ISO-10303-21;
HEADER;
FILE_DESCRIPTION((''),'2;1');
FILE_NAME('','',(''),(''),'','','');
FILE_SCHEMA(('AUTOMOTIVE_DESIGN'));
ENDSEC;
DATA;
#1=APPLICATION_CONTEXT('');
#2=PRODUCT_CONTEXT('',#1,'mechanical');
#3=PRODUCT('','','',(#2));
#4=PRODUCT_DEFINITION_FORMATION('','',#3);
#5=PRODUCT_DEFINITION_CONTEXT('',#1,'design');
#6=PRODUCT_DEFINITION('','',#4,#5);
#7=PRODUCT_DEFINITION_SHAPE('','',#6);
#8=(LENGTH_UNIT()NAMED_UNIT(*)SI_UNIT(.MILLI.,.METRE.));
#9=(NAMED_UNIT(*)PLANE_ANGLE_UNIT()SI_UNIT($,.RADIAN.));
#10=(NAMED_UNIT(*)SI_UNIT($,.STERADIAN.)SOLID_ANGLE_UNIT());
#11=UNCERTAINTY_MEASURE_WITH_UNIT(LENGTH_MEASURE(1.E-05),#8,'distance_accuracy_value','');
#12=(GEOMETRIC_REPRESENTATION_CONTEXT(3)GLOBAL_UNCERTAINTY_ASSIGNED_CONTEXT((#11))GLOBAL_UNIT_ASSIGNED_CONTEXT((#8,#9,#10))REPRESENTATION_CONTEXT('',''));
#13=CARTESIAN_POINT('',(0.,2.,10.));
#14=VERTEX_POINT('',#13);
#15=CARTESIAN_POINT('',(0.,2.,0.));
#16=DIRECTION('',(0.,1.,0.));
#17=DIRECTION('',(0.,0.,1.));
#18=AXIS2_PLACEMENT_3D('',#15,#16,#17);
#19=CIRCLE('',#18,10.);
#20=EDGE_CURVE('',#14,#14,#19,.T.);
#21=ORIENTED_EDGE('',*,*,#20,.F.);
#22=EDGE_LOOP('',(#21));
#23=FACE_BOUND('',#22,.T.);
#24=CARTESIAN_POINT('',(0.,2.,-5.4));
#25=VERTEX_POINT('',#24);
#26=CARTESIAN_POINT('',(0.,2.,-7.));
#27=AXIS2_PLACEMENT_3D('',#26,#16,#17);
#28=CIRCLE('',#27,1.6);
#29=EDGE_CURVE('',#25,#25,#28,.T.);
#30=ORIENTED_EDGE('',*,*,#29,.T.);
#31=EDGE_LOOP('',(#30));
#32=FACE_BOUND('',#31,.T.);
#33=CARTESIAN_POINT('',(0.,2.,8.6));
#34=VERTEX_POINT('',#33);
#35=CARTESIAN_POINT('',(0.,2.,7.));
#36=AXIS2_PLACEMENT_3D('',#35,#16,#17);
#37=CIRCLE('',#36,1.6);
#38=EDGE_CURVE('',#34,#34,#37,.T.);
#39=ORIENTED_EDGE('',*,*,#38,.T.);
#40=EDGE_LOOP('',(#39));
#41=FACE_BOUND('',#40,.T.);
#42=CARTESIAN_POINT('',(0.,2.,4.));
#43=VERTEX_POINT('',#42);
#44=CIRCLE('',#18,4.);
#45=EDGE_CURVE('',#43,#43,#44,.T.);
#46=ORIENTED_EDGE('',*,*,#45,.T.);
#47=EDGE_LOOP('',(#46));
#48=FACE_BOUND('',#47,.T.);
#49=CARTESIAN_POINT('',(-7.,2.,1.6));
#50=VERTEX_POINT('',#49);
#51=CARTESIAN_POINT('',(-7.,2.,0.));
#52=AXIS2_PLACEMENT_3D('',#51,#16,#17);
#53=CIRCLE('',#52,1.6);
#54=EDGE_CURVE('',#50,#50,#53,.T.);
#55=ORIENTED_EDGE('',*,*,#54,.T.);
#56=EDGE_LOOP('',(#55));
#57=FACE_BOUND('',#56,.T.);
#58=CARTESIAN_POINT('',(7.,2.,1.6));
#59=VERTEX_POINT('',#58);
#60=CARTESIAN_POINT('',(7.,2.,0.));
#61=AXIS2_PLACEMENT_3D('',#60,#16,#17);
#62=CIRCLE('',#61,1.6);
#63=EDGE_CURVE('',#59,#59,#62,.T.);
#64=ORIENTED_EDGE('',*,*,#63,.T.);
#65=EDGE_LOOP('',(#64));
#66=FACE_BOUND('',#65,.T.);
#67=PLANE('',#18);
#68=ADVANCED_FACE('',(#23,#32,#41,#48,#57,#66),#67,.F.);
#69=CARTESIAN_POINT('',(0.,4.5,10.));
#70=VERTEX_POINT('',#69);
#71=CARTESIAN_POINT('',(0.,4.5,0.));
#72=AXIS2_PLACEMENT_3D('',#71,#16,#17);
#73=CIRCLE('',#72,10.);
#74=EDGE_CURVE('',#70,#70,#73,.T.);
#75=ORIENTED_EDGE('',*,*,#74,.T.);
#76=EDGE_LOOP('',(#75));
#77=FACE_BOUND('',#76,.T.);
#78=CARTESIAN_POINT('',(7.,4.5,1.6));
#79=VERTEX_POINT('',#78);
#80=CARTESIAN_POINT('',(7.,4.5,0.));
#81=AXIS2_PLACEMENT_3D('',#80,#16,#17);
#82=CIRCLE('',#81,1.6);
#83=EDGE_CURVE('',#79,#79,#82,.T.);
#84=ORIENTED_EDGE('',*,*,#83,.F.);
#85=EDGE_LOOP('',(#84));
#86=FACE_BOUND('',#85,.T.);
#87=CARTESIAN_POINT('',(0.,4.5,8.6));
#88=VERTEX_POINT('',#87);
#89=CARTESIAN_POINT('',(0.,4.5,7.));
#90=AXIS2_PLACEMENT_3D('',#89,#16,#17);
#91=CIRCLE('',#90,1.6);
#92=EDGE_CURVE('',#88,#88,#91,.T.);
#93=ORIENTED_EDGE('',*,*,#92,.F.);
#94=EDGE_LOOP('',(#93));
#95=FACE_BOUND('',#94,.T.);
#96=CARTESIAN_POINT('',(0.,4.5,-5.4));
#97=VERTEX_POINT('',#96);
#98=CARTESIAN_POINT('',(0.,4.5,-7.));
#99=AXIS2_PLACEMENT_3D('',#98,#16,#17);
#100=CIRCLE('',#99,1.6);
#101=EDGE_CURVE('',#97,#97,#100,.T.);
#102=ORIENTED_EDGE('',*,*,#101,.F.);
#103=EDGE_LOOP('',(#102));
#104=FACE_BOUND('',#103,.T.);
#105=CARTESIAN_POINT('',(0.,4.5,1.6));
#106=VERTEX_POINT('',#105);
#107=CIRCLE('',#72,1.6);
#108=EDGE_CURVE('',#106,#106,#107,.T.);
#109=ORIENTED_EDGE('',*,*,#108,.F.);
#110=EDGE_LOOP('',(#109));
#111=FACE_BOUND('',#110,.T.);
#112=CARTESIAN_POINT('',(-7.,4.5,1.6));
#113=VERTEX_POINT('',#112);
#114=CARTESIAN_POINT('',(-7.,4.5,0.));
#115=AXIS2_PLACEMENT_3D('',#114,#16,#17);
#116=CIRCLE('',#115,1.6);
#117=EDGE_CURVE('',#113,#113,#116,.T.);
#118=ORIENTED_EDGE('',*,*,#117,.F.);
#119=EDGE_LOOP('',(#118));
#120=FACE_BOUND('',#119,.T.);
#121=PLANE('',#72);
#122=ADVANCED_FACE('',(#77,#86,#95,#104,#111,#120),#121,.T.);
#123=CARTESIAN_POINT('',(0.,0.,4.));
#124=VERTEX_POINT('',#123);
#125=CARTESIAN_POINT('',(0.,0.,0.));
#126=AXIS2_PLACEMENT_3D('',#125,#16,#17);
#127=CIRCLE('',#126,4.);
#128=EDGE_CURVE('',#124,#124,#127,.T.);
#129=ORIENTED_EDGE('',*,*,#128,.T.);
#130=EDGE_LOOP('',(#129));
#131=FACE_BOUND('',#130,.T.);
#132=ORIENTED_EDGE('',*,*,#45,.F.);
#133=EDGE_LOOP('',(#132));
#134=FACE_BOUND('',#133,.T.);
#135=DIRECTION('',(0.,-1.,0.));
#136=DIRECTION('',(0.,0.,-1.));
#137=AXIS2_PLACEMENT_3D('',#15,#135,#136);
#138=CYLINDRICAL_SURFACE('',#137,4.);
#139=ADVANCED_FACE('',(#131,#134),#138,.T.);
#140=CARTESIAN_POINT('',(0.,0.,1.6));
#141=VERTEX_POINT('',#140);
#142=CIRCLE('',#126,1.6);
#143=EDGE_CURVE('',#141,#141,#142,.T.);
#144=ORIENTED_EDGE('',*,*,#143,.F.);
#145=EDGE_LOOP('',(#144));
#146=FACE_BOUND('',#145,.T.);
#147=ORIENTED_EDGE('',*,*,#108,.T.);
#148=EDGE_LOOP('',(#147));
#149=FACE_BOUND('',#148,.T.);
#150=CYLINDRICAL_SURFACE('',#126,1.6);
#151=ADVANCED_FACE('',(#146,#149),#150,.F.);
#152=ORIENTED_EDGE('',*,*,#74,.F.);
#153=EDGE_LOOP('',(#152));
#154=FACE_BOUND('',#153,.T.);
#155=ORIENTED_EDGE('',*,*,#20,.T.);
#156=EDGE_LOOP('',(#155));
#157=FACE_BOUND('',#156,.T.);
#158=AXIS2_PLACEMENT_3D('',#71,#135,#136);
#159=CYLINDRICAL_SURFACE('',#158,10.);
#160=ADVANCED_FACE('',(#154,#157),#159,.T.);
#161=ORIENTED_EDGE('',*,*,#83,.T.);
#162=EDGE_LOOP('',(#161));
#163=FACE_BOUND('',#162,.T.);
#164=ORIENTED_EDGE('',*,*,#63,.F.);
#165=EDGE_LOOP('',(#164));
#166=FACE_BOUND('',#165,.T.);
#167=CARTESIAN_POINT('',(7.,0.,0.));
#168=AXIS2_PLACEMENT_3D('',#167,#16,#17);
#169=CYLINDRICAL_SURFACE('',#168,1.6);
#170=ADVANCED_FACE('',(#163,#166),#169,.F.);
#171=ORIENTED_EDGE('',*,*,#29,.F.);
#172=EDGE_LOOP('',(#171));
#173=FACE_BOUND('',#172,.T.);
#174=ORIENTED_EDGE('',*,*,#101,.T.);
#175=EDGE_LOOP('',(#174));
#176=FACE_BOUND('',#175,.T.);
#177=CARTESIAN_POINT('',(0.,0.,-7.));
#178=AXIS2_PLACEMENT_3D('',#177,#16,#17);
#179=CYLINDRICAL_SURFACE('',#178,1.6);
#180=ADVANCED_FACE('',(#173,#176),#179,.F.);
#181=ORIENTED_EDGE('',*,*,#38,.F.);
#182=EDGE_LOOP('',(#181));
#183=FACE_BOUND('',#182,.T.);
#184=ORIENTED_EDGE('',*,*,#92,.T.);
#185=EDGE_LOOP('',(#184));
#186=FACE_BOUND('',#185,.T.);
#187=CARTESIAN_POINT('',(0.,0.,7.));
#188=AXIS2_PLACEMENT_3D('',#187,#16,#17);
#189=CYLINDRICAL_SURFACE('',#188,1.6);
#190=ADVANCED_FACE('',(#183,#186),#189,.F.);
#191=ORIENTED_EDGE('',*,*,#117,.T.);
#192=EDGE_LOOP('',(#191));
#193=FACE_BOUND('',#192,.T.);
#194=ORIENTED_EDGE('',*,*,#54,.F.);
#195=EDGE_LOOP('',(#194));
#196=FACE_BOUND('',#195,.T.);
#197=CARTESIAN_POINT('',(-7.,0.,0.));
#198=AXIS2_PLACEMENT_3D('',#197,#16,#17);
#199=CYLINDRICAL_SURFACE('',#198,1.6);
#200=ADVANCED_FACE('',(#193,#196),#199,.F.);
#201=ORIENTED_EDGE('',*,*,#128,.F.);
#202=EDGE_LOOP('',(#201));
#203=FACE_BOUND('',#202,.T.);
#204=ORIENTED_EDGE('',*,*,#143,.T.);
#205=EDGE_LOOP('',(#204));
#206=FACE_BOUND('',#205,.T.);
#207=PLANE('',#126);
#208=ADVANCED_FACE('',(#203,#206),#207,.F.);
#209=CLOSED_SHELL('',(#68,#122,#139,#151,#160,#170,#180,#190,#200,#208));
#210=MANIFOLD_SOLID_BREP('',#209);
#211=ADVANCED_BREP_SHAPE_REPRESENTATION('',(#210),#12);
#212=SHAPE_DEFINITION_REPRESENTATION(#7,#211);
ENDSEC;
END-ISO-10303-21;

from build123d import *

# Parameters (mm, degrees)
SKETCH_1_R          = 4
EXTRUDE_1_DEPTH     = 2
SKETCH_2_R          = 10
EXTRUDE_2_DEPTH     = 2.5
SKETCH_3_R          = 1.6
CUT_EXTRUDE_1_DEPTH = 15.84082208


with BuildPart() as part:
    # 草图1 → 凸台-拉伸1 (new body)
    with BuildSketch(Plane(origin=(0, 0, 0), x_dir=(1, 0, 0), z_dir=(0, 1, 0))):
        with Locations(Location((0, 0, 0), (0, 0, 270))):
            Circle(SKETCH_1_R)
    extrude(amount=EXTRUDE_1_DEPTH)

    # 草图2 → 凸台-拉伸2 (add)
    with BuildSketch(Plane(origin=(0, 2, 0), x_dir=(1, 0, 0), z_dir=(0, 1, 0))):
        with Locations(Location((0, 0, 0), (0, 0, 270))):
            Circle(SKETCH_2_R)
    extrude(amount=EXTRUDE_2_DEPTH)

    # 草图3 → 切除-拉伸1 (cut, through all)
    with BuildSketch(Plane(origin=(0, 4.5, 0), x_dir=(1, 0, 0), z_dir=(0, 1, 0))):
        with Locations(Location((0, 0, 0), (0, 0, 270))):
            Circle(SKETCH_3_R)
        with Locations(Location((0, 7, 0), (0, 0, 270))):
            Circle(SKETCH_3_R)
        with Locations(Location((7, 0, 0), (0, 0, 270))):
            Circle(SKETCH_3_R)
        with Locations(Location((0, -7, 0), (0, 0, 270))):
            Circle(SKETCH_3_R)
        with Locations(Location((-7, 0, 0), (0, 0, 270))):
            Circle(SKETCH_3_R)
    extrude(amount=-CUT_EXTRUDE_1_DEPTH, mode=Mode.SUBTRACT)


solid = part.part
